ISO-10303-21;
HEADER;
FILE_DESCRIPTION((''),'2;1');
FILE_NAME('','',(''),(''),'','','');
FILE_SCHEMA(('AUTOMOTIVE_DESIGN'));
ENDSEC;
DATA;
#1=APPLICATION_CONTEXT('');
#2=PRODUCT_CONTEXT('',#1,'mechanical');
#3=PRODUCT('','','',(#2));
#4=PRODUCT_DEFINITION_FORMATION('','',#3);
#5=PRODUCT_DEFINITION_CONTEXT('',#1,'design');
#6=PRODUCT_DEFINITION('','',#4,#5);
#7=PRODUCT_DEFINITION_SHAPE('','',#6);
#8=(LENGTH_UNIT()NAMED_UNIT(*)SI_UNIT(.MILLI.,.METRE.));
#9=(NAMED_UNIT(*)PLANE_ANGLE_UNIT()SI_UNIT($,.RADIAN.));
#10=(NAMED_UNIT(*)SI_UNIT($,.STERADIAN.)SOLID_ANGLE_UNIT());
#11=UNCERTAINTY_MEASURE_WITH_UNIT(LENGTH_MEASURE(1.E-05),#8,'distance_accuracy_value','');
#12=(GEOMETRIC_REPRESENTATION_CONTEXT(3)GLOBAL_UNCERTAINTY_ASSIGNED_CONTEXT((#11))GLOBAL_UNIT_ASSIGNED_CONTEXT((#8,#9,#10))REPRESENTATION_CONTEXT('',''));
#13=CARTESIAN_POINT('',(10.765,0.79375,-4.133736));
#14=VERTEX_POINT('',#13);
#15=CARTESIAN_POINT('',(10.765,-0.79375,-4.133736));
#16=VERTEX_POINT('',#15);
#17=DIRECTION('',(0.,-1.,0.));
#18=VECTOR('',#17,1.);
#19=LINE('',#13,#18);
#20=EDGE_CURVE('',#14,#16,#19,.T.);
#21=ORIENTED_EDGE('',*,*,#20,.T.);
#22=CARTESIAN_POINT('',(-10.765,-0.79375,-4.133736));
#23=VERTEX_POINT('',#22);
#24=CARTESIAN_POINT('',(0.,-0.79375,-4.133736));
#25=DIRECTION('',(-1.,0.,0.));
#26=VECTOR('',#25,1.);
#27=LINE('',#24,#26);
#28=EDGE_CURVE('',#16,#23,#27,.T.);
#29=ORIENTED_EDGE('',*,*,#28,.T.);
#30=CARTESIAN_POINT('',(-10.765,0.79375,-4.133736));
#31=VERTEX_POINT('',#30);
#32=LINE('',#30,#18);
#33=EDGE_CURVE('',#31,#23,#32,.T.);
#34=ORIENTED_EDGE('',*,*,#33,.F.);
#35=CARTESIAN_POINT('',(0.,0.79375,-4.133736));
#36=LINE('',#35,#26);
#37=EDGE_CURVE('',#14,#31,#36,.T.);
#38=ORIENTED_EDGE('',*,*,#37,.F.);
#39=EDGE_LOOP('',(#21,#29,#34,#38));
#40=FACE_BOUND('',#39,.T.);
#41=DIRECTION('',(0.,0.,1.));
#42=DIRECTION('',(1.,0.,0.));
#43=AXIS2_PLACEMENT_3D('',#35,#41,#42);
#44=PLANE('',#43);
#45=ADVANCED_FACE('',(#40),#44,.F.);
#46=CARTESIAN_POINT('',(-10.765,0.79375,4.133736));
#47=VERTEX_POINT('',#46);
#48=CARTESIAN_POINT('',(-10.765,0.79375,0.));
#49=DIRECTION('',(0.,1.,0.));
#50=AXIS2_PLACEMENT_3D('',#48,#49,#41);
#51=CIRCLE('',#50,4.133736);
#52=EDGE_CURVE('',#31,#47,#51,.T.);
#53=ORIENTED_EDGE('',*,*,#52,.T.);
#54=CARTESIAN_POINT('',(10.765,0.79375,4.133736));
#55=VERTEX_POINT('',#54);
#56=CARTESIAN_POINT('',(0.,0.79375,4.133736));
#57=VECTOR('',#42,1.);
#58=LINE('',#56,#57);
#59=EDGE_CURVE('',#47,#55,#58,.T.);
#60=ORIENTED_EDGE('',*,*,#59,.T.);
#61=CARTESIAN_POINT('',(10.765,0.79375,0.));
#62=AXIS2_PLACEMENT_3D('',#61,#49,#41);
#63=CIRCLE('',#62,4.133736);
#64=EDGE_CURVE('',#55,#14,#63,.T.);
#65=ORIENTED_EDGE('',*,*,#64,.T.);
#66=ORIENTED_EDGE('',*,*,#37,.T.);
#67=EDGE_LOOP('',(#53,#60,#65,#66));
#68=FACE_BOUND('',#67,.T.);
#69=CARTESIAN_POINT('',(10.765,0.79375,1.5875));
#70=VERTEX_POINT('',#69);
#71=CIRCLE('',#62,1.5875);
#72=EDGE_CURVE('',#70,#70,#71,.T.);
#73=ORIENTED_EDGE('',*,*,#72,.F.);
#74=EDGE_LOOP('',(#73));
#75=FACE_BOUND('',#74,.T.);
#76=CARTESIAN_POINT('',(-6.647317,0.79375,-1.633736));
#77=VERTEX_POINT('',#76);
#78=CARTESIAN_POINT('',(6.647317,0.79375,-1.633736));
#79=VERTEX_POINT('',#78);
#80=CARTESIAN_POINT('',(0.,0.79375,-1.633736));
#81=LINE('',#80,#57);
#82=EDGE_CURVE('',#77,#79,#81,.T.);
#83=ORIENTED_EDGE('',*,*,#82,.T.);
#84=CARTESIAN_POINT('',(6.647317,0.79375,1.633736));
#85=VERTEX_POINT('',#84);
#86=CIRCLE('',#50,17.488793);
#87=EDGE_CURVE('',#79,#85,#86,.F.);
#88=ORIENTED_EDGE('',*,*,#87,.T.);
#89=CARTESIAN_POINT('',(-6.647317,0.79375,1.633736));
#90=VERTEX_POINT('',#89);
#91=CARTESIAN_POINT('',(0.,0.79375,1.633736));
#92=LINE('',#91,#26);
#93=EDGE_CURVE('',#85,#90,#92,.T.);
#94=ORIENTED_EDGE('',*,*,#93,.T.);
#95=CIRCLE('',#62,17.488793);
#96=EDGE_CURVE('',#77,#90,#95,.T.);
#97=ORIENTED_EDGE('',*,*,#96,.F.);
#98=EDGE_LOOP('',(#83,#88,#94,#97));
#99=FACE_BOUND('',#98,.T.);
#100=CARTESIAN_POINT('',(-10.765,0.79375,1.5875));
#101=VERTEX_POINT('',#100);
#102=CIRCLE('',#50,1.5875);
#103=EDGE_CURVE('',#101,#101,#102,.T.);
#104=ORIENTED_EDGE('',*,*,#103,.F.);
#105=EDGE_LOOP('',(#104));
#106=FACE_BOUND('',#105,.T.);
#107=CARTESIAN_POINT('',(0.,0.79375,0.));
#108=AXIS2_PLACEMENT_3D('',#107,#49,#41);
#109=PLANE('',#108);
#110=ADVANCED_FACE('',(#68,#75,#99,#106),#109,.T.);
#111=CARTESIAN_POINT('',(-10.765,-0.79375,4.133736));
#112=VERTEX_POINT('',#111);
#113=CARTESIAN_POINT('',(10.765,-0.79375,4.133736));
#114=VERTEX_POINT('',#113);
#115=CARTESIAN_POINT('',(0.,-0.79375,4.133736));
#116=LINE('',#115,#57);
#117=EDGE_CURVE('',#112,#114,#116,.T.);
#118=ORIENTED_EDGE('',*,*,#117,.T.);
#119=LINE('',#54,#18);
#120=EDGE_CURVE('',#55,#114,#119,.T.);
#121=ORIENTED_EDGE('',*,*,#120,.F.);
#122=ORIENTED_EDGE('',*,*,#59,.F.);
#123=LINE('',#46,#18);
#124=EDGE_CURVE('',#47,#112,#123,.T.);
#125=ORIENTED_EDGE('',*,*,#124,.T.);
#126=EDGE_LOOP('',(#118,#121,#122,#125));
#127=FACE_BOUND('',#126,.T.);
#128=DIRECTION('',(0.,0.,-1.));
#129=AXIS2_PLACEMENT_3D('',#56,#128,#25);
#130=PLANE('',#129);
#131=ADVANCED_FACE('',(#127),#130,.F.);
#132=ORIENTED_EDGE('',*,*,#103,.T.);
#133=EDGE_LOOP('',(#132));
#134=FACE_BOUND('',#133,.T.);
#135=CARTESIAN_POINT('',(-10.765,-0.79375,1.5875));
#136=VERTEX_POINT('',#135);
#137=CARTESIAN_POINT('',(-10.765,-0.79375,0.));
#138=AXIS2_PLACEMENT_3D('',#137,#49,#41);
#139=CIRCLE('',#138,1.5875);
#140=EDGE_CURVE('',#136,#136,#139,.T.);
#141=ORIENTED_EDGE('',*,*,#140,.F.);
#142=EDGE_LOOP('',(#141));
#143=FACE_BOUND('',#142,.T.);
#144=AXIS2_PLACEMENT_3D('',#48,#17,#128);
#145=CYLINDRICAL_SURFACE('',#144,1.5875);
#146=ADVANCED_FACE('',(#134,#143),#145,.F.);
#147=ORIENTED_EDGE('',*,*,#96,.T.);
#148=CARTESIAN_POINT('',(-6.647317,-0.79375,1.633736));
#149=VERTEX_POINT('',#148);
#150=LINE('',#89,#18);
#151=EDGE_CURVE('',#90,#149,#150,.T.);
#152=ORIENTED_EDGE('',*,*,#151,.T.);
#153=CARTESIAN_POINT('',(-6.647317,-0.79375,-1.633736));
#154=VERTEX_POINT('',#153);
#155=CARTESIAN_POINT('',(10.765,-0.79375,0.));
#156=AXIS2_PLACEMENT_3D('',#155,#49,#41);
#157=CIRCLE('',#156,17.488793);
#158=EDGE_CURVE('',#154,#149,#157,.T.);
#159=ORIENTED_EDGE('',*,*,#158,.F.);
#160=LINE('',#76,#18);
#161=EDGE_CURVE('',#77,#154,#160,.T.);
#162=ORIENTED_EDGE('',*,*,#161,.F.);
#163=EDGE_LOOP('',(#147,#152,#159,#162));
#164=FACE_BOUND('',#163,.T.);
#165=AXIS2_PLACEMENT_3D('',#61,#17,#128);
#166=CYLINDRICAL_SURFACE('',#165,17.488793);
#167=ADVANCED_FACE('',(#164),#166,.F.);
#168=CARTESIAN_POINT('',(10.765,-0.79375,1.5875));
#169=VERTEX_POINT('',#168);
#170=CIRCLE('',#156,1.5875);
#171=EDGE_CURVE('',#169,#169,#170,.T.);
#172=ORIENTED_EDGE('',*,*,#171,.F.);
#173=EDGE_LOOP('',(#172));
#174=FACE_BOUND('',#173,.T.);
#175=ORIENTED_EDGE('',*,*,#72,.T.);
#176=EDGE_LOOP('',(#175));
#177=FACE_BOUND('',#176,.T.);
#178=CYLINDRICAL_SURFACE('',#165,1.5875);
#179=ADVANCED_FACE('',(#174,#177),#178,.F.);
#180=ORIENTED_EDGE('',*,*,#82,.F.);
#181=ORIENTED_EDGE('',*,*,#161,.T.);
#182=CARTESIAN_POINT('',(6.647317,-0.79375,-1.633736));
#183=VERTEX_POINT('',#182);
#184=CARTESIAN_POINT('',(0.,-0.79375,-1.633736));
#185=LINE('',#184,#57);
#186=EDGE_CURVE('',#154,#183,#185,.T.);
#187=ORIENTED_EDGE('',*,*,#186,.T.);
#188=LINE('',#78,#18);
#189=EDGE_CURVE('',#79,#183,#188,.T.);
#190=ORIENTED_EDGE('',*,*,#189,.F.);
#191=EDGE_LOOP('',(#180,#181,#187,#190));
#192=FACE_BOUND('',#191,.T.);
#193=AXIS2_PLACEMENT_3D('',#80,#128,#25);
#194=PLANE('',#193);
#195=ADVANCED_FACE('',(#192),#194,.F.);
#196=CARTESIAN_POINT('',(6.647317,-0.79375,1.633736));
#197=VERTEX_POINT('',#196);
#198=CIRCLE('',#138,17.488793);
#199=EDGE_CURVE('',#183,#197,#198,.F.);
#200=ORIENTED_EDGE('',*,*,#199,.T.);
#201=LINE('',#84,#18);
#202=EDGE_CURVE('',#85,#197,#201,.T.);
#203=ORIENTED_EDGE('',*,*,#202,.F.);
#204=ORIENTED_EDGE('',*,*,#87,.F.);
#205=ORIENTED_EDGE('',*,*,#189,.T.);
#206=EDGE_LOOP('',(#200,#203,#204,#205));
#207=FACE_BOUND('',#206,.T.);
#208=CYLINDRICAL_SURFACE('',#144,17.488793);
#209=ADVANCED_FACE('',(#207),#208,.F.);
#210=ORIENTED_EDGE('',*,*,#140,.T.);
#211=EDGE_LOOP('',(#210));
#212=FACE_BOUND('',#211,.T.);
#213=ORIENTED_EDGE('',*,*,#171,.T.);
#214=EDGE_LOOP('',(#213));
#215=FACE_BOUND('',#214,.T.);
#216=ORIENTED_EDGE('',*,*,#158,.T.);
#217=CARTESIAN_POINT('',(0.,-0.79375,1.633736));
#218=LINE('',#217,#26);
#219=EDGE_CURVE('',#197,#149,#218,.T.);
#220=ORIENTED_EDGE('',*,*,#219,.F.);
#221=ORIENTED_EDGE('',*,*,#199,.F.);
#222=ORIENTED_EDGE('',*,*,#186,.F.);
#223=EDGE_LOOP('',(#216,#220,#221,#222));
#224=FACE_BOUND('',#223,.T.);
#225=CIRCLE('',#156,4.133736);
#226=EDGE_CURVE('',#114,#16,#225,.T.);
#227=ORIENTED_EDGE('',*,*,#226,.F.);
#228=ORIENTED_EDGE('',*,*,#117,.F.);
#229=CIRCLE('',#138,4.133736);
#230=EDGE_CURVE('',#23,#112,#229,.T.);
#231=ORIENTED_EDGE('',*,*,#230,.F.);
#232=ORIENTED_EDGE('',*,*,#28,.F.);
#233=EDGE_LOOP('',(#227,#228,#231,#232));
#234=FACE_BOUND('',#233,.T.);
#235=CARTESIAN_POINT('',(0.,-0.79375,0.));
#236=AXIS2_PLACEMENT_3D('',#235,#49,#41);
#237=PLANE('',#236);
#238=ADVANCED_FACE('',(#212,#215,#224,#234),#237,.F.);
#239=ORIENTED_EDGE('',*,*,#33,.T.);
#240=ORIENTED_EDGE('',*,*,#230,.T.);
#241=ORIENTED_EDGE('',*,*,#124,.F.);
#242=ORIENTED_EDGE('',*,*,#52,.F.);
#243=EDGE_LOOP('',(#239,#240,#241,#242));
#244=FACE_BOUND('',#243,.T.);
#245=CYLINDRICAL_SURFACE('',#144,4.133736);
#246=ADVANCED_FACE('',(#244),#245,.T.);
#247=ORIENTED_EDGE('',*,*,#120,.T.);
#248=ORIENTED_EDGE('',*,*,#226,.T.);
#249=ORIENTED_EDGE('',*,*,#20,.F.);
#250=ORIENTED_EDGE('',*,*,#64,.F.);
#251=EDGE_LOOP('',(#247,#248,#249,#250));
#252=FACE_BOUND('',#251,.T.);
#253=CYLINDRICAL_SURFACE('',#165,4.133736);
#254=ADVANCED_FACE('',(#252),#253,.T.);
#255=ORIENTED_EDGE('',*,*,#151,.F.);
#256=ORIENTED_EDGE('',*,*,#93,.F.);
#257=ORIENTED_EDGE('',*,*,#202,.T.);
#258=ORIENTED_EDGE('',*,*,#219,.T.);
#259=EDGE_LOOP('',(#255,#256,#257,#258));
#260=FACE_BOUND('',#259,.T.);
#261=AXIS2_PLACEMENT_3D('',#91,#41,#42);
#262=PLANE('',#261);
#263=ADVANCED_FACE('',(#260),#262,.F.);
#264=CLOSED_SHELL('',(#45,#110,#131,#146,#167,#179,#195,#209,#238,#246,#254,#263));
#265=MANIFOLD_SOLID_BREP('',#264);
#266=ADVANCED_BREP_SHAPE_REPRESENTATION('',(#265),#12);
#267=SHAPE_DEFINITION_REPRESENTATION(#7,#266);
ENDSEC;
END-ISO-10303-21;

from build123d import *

# Parameters (mm, degrees)
SKETCH1_R           = 1.5875
BOSS_EXTRUDE2_DEPTH = 0.79375


with BuildPart() as part:
    # Sketch1 → Boss-Extrude2 (new, symmetric)
    with BuildSketch(Plane(origin=(0, 0, 0), x_dir=(1, 0, 0), z_dir=(0, 1, 0))):
        with BuildLine():
            Line((10.765, 4.133736316), (-10.765, 4.133736316))
            ThreePointArc((-10.765, 4.133736316), (-14.898736316, 0), (-10.765, -4.133736316))
            Line((-10.765, -4.133736316), (10.765, -4.133736316))
            ThreePointArc((10.765, -4.133736316), (14.898736316, 0), (10.765, 4.133736316))
        make_face()
        with Locations(Location((10.765, 0, 0), (0, 0, 270))):
            Circle(SKETCH1_R, mode=Mode.SUBTRACT)
        with Locations(Location((-10.765, 0, 0), (0, 0, 270))):
            Circle(SKETCH1_R, mode=Mode.SUBTRACT)
        with BuildLine():
            Line((6.647316717, -1.633736316), (-6.647316717, -1.633736316))
            ThreePointArc((-6.647316717, -1.633736316), (-6.723792634, 0), (-6.647316717, 1.633736316))
            Line((-6.647316717, 1.633736316), (6.647316717, 1.633736316))
            ThreePointArc((6.647316717, 1.633736316), (6.723792634, 0), (6.647316717, -1.633736316))
        make_face(mode=Mode.SUBTRACT)
    extrude(amount=BOSS_EXTRUDE2_DEPTH, both=True)


solid = part.part
